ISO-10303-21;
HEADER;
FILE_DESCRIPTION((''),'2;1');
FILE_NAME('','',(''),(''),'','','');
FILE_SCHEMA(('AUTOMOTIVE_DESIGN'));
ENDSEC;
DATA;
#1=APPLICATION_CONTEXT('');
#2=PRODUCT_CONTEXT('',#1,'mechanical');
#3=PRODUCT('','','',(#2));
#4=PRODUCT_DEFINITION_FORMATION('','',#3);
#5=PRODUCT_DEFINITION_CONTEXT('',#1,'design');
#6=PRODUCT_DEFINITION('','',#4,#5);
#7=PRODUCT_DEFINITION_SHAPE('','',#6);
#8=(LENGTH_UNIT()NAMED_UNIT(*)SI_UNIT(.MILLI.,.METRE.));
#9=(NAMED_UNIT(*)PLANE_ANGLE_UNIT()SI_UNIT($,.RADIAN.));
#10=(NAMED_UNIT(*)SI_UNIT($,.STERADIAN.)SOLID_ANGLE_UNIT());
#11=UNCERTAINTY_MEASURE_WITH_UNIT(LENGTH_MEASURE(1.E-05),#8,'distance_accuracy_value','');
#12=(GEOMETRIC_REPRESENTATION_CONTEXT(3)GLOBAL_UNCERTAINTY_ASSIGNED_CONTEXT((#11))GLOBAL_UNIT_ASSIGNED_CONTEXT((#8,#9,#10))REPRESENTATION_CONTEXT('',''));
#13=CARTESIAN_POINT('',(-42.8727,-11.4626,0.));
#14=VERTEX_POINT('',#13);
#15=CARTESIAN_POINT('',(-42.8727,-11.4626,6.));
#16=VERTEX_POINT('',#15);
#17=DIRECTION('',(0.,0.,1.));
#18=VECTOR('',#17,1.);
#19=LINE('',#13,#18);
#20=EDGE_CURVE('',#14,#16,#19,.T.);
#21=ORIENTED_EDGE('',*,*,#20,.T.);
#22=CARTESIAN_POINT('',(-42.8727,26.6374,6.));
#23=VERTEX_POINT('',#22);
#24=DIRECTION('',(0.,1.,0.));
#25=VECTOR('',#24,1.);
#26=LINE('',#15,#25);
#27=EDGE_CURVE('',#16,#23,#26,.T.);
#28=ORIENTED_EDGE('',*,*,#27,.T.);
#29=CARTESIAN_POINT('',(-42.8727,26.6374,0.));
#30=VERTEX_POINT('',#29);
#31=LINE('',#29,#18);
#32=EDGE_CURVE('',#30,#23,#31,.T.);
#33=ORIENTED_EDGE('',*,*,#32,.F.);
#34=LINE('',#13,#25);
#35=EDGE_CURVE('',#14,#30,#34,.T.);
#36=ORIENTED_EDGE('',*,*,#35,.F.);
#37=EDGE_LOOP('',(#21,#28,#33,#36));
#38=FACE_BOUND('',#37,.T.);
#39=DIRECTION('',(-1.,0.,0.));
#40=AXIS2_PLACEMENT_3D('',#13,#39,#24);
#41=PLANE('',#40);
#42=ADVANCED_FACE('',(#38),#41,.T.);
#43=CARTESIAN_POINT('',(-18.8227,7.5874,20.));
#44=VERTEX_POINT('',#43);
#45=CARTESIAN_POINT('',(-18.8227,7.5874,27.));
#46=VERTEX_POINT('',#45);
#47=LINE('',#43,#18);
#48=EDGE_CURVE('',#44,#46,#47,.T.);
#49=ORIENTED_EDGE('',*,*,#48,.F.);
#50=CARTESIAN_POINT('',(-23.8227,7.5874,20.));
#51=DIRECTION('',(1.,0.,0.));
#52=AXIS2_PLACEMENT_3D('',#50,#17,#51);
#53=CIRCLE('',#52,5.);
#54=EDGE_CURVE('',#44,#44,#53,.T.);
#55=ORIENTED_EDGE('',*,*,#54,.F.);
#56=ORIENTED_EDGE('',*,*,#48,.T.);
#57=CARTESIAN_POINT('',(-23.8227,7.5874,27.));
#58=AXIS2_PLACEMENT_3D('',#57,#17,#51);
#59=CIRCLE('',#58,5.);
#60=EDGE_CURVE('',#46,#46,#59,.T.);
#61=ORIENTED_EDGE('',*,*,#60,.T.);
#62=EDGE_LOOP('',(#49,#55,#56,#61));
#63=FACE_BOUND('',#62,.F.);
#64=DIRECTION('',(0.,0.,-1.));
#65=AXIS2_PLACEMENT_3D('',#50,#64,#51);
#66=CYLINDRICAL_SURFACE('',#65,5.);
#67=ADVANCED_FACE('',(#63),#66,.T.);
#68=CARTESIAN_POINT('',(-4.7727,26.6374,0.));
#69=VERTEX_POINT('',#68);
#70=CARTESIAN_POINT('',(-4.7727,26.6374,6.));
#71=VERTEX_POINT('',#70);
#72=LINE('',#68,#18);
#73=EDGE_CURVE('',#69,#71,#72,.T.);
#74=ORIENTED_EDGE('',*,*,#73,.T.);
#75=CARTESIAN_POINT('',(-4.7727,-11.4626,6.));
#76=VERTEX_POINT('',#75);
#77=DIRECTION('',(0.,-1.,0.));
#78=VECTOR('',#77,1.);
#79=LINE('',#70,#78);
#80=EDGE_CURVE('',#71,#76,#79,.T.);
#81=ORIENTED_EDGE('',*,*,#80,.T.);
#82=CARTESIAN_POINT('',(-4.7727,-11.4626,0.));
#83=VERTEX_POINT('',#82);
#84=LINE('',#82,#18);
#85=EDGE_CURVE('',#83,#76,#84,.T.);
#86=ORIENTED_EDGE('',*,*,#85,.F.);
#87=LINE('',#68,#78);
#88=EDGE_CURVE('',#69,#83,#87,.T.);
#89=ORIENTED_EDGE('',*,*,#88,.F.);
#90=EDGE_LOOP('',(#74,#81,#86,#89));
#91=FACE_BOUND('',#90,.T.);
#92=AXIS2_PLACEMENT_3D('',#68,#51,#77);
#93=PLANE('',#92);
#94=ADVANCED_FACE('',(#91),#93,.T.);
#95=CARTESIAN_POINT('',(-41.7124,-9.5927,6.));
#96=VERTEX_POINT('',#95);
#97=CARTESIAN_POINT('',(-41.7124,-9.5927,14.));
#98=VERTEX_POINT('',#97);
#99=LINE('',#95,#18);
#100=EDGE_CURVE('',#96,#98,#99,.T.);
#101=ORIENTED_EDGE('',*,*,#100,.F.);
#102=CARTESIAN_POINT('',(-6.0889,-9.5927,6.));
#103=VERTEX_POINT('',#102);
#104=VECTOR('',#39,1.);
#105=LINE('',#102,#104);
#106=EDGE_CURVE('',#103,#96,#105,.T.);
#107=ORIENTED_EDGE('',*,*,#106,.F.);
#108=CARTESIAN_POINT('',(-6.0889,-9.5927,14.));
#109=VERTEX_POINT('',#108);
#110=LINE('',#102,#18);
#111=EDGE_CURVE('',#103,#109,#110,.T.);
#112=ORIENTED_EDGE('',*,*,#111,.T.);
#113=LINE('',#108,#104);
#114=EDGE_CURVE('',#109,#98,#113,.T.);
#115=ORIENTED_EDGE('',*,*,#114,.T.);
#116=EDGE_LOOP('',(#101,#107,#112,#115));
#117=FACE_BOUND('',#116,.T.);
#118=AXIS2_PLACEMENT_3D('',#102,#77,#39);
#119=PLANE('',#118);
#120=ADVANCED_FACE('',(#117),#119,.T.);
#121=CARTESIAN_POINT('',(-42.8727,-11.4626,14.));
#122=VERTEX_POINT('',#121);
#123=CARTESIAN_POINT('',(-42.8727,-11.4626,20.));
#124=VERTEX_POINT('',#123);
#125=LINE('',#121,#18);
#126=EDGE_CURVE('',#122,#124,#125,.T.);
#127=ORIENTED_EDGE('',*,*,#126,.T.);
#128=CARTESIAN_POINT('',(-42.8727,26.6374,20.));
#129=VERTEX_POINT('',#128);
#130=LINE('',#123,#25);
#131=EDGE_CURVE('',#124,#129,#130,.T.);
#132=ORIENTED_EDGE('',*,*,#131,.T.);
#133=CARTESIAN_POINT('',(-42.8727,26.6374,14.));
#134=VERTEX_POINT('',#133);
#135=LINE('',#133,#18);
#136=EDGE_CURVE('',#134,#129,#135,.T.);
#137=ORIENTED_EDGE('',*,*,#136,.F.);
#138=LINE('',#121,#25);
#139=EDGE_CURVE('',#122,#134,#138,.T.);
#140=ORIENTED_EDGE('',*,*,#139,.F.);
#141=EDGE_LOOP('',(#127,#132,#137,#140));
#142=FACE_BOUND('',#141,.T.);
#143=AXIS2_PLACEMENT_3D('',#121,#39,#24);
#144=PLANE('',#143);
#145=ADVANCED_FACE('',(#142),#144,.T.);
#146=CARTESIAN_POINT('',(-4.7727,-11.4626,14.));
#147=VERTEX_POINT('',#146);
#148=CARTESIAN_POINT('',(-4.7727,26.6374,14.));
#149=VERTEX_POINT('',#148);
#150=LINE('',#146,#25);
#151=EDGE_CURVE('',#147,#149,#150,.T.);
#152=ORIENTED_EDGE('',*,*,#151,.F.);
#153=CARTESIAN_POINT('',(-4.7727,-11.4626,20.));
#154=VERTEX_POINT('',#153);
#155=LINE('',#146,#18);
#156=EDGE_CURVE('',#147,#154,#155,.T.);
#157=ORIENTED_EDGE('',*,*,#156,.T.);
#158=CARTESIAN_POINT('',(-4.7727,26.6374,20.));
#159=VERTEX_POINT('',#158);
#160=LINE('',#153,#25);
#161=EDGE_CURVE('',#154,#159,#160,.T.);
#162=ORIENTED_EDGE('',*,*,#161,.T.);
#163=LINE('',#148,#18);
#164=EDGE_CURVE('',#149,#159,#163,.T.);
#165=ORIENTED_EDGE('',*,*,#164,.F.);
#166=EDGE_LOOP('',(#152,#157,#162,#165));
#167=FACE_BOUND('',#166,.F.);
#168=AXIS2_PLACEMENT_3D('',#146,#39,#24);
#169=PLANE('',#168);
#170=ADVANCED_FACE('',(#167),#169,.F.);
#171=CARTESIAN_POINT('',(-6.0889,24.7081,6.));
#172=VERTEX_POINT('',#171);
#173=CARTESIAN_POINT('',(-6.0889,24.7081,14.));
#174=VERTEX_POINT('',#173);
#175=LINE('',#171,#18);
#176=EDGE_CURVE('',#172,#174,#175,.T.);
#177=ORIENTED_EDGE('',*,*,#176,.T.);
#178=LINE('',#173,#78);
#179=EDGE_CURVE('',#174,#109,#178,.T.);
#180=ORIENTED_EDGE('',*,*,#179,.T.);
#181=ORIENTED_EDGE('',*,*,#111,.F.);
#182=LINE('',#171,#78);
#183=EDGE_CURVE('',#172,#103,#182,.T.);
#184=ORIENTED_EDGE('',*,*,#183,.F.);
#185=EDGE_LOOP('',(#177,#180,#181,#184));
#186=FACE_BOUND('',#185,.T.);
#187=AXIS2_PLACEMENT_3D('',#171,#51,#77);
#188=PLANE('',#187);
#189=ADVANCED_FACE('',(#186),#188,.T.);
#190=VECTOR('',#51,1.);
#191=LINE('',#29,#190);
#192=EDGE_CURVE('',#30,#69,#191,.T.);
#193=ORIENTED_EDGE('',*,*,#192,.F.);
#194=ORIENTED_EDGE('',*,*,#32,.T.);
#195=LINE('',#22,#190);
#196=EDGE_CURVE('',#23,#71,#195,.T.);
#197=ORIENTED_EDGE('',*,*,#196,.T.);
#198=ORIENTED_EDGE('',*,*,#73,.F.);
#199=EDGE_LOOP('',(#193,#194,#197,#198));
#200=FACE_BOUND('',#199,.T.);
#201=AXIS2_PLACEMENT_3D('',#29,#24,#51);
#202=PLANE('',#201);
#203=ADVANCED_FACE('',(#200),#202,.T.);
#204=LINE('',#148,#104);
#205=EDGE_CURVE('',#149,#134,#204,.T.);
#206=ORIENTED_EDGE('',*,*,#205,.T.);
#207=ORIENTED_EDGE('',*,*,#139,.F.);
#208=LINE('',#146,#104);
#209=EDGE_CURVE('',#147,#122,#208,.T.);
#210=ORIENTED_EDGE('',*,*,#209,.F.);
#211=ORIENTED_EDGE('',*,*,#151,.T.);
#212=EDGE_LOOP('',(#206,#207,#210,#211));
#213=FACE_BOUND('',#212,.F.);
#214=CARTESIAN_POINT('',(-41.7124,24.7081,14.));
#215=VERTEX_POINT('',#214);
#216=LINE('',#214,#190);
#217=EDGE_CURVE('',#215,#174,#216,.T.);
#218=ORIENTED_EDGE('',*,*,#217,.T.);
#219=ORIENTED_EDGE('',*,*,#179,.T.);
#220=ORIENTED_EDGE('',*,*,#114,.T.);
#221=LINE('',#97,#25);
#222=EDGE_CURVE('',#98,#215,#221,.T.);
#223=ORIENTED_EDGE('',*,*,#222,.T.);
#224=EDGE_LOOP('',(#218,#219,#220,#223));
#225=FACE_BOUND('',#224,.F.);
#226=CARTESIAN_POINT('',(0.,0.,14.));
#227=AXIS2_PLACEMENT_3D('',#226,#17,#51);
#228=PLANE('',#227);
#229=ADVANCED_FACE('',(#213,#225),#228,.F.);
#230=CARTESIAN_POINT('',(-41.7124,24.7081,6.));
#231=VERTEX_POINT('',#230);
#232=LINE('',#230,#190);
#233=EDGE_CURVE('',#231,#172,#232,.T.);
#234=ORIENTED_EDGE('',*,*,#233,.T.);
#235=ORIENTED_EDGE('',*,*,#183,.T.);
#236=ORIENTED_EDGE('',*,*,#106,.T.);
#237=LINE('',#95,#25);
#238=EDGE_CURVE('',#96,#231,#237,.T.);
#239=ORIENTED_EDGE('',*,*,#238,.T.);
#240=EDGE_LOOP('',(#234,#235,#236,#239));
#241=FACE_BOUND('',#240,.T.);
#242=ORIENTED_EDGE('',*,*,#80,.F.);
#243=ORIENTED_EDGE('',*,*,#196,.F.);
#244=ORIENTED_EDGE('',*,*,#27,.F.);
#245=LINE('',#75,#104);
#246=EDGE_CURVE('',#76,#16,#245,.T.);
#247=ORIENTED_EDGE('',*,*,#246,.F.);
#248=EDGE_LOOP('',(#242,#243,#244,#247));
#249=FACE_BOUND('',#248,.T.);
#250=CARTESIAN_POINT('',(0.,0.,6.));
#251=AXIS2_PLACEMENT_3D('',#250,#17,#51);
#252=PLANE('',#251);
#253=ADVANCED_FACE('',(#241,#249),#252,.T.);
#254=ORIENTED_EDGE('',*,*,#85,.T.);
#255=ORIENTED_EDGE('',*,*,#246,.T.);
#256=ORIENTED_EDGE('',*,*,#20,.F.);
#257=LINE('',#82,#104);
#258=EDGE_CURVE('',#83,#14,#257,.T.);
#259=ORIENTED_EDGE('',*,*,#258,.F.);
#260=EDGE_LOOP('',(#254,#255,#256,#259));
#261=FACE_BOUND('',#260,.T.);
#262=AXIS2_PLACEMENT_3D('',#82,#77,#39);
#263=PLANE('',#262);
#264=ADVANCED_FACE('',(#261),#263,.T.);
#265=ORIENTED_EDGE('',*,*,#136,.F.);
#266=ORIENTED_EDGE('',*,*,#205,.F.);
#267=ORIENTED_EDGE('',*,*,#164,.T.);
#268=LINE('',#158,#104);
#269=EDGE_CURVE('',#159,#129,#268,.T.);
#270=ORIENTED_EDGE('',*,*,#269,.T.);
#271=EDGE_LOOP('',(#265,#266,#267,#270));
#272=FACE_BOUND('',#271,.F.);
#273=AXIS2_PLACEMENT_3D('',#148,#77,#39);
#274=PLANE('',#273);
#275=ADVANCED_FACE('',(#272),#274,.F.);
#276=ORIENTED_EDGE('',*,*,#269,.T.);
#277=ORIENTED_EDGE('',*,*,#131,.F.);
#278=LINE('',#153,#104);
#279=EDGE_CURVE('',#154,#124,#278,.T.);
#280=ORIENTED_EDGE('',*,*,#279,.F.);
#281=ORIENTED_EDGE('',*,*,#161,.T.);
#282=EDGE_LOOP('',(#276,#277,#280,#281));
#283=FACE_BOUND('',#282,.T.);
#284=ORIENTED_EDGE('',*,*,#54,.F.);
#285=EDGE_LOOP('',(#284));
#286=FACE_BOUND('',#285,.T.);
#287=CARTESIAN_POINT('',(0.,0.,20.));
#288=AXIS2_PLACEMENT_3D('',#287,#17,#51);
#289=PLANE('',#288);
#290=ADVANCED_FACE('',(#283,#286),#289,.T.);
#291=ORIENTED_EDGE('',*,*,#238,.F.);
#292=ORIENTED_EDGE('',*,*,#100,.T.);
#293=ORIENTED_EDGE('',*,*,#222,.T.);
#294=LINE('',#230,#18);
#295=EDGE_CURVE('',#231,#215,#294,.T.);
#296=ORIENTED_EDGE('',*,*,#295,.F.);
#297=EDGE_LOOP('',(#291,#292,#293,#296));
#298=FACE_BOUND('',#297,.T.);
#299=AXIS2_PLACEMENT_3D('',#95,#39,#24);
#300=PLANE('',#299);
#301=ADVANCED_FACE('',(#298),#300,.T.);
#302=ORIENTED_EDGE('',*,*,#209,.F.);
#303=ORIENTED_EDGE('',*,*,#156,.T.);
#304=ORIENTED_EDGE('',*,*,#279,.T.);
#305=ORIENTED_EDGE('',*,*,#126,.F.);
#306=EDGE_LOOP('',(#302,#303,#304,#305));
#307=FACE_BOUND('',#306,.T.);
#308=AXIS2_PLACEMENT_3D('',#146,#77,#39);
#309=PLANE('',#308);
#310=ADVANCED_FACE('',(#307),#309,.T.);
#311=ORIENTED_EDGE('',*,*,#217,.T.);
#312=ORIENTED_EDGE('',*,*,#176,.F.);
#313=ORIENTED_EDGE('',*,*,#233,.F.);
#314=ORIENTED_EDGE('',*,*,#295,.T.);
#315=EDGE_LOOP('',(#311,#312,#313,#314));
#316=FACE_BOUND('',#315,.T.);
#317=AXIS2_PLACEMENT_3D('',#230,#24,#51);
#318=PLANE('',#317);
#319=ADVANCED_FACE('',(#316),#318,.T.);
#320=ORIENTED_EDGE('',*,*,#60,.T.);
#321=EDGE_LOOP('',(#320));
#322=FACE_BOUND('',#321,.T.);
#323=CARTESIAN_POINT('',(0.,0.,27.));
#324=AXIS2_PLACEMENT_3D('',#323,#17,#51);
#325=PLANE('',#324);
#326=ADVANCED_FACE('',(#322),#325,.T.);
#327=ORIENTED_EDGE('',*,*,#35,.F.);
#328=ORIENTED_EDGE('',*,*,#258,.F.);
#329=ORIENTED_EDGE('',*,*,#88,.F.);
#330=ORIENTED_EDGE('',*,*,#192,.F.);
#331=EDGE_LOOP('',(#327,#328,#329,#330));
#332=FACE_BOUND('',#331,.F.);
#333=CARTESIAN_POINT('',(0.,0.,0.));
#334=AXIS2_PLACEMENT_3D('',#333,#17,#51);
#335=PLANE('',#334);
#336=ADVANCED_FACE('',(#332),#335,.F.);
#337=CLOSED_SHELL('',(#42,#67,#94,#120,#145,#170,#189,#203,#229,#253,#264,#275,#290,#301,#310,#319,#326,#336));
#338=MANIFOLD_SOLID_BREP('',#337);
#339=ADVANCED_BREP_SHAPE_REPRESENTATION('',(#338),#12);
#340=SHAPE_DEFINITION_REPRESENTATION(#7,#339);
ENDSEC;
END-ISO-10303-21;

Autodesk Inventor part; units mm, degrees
ref_plane "YZ Plane" through (0, 0, 0) normal (1, 0, 0) x (0, 1, 0)
ref_plane "XZ Plane" through (0, 0, 0) normal (0, 1, 0) x (-1, 0, 0)
ref_plane "XY Plane" through (0, 0, 0) normal (0, 0, 1) x (1, 0, 0)
sketch "Sketch1" plane through (0, 0, 0) normal (0, 0, 1) x (1, 0, 0)
  line L0 (-42.8727, 26.6374) -> (-4.7727, 26.6374)
  line L1 (-4.7727, 26.6374) -> (-4.7727, -11.4626)
  line L2 (-4.7727, -11.4626) -> (-42.8727, -11.4626)
  line L3 (-42.8727, -11.4626) -> (-42.8727, 26.6374)
  point P0 (0, 0)
  dimension "d0" = 38.1
  dimension "d1" = 38.1
extrude "Extrusion1" add sketch "Sketch1" along normal blind 6
sketch "Sketch2" plane through (0, 0, 6) normal (0, 0, 1) x (1, 0, 0)
  line L0 (-41.7124, 24.7081) -> (-6.0889, 24.7081)
  line L1 (-6.0889, 24.7081) -> (-6.0889, -9.5927)
  line L2 (-6.0889, -9.5927) -> (-41.7124, -9.5927)
  line L3 (-41.7124, -9.5927) -> (-41.7124, 24.7081)
  point P0 (0, 0)
extrude "Extrusion2" add sketch "Sketch2" along normal blind 8
sketch "Sketch3" plane through (0, 0, 14) normal (0, 0, 1) x (1, 0, 0)
  line L0 (-4.7727, 26.6374) -> (-42.8727, 26.6374) projected
  line L1 (-4.7727, -11.4626) -> (-4.7727, 26.6374) projected
  line L2 (-42.8727, 26.6374) -> (-4.7727, 26.6374)
  line L3 (-4.7727, 26.6374) -> (-4.7727, -11.4626)
  line L4 (-4.7727, -11.4626) -> (-42.8727, -11.4626)
  line L5 (-42.8727, -11.4626) -> (-42.8727, 26.6374)
  point P0 (0, 0)
extrude "Extrusion3" add sketch "Sketch3" along normal blind 6
sketch "Sketch4" plane through (0, 0, 20) normal (0, 0, 1) x (1, 0, 0)
  circle A0 centre (-23.8227, 7.5874) radius 5
  line L0 (-4.7727, 26.6374) -> (-42.8727, 26.6374) projected
  line L1 (-4.7727, -11.4626) -> (-4.7727, 26.6374) projected
  point P0 (0, 0)
  dimension "d8" = 10
  dimension "d9" = 19.05
  dimension "d10" = 19.05
extrude "Extrusion4" add sketch "Sketch4" along normal blind 7
properties part number "rev motor"
